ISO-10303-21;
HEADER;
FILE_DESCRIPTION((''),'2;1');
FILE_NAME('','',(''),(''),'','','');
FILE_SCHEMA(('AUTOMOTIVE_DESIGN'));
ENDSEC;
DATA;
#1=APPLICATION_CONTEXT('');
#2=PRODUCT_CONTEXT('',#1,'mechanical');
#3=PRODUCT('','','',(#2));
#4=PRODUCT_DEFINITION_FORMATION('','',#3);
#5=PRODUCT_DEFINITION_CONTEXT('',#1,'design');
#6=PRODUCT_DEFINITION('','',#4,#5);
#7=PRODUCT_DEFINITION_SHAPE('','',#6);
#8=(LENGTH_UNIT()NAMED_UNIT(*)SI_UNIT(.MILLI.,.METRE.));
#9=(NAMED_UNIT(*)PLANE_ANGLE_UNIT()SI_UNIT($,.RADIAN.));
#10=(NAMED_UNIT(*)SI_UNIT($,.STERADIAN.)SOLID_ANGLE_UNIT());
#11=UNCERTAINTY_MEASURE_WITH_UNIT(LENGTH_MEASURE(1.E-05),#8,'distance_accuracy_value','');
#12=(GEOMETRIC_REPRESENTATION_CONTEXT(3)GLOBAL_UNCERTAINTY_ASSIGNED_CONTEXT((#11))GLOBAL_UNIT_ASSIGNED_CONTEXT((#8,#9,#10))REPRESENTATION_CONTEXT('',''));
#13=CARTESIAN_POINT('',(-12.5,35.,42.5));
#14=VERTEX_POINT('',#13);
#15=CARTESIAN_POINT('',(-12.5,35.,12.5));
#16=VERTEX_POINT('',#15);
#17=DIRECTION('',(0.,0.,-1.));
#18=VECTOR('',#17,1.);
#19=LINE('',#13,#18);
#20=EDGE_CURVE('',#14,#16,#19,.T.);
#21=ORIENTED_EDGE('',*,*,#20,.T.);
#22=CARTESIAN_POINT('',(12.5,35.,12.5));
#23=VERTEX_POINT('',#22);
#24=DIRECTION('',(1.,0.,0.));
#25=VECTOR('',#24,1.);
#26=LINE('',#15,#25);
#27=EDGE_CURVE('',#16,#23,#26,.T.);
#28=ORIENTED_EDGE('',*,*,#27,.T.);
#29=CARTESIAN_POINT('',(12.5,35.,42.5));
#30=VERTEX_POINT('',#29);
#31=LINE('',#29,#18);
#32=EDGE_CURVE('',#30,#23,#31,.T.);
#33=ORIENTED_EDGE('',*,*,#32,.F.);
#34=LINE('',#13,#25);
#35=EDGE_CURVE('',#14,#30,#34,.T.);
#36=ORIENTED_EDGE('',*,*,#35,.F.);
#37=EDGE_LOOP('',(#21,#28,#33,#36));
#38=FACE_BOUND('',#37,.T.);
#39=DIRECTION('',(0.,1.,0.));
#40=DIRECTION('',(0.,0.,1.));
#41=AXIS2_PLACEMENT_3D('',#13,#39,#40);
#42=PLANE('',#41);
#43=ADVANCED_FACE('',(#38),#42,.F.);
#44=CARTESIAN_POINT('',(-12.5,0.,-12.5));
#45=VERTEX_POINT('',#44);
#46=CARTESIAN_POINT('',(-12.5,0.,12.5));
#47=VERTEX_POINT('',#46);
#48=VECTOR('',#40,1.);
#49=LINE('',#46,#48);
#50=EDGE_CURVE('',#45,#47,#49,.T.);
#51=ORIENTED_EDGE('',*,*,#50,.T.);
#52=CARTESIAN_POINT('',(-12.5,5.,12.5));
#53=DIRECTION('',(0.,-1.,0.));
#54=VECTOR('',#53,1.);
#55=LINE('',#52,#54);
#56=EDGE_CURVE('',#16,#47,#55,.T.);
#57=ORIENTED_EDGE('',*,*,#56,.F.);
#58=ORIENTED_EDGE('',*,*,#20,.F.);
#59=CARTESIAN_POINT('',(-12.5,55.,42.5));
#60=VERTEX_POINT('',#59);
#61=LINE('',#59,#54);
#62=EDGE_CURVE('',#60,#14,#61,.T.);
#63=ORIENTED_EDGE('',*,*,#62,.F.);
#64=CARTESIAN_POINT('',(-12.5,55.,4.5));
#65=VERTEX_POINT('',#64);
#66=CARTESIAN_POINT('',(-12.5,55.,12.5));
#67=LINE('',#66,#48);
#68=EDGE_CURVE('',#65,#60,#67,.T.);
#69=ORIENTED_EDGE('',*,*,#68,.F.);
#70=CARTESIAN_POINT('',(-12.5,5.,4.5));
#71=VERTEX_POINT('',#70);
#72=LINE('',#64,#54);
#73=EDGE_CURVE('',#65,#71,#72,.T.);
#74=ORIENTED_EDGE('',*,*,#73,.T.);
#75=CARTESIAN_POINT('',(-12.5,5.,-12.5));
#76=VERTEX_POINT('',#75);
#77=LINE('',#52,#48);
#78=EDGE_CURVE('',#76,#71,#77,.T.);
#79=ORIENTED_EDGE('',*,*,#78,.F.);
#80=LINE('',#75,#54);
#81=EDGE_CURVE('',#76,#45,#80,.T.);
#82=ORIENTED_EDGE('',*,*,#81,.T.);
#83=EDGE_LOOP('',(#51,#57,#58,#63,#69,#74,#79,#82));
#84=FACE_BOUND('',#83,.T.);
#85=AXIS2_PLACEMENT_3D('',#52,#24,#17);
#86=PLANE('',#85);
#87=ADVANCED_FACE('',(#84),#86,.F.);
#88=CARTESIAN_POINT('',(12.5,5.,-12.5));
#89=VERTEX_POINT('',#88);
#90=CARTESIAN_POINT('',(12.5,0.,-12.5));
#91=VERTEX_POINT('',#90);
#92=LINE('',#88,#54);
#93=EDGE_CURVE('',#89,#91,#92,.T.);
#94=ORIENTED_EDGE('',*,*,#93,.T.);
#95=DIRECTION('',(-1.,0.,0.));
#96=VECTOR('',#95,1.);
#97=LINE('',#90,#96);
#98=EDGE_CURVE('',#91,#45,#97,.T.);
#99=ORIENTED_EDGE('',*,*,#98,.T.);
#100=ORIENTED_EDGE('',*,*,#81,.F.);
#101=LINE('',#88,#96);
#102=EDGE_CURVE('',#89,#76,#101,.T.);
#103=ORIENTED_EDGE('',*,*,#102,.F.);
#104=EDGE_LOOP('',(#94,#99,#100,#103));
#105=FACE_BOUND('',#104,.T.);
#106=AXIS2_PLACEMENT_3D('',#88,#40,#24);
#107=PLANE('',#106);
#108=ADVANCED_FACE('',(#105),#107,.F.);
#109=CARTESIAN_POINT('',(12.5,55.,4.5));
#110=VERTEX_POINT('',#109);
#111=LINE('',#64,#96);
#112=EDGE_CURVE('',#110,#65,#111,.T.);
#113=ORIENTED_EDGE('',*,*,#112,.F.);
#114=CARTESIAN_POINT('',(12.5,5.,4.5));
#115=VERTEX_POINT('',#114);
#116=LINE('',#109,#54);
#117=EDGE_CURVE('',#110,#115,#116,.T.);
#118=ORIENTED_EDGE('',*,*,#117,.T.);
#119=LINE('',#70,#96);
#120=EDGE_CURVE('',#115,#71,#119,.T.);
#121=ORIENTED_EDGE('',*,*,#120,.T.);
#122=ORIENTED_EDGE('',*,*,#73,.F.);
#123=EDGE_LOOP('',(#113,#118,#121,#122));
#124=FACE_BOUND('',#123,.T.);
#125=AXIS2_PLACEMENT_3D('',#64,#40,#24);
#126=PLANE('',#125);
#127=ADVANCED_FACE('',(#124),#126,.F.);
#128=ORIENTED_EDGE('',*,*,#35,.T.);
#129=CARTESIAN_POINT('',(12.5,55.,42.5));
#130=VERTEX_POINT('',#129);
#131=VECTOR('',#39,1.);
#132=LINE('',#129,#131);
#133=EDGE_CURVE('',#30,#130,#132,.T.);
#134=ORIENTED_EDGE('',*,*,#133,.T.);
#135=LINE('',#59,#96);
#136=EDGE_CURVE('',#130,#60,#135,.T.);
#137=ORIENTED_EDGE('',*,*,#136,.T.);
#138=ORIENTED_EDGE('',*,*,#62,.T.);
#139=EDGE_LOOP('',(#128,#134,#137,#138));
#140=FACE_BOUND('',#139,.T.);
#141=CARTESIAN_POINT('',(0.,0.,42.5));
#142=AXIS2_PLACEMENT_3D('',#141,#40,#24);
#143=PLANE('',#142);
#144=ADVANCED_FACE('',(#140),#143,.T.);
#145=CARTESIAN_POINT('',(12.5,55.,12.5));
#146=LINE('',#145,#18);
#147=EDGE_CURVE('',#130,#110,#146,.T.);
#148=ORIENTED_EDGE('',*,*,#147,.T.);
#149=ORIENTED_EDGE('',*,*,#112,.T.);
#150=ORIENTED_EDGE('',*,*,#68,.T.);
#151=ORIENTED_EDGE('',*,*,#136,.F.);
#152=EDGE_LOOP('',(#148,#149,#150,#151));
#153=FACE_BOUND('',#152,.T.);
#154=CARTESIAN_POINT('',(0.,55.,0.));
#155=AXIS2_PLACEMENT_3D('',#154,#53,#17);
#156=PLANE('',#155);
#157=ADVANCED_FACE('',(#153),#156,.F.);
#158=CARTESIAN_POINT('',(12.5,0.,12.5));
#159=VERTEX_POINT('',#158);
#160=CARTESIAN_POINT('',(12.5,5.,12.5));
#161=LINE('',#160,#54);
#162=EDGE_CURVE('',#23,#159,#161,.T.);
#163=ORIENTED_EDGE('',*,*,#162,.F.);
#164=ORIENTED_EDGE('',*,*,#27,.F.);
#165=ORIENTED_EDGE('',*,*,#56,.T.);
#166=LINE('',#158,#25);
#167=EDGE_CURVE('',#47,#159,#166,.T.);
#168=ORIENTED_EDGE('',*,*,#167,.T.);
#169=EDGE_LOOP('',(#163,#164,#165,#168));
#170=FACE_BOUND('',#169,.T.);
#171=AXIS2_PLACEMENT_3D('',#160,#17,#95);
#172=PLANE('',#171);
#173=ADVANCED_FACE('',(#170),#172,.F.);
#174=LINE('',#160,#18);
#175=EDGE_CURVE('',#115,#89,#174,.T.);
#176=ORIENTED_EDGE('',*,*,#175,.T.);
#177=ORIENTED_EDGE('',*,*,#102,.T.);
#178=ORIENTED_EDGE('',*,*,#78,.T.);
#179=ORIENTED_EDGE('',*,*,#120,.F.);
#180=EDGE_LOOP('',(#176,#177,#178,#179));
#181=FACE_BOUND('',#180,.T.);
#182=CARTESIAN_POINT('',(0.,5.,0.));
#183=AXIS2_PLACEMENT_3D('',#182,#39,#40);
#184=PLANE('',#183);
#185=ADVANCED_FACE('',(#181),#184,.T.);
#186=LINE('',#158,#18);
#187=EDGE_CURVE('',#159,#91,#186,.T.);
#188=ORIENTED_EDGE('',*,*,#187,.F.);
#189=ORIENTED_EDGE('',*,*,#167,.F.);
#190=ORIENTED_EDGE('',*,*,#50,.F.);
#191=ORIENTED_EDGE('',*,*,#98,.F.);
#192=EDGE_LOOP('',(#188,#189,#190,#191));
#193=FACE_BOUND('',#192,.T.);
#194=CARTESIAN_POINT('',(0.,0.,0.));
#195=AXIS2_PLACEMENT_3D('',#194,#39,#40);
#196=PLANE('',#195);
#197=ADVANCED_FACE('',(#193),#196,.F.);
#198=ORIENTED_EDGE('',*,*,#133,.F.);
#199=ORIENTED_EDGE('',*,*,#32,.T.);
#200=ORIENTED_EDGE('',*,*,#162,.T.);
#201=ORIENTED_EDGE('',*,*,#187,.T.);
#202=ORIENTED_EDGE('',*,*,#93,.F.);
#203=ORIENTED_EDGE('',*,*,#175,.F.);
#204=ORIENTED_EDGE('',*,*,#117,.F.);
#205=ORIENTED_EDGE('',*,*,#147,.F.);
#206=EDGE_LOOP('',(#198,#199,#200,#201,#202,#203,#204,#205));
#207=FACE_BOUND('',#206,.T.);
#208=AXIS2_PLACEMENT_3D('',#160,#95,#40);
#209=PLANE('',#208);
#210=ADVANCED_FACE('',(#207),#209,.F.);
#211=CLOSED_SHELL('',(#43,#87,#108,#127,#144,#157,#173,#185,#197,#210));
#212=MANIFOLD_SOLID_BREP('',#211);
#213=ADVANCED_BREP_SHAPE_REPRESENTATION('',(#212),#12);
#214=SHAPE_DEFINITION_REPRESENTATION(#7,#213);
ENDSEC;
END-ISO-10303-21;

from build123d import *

# Parameters (mm, degrees)
SKETCH1_W           = 25
SKETCH1_H           = 25
BOSS_EXTRUDE1_DEPTH = 5
SKETCH2_W           = 25
SKETCH2_H           = 8
BOSS_EXTRUDE2_DEPTH = 50
SKETCH3_W           = 25
SKETCH3_H           = 20
BOSS_EXTRUDE3_DEPTH = 30


with BuildPart() as part:
    # Sketch1 → Boss-Extrude1 (new body)
    with BuildSketch(Plane(origin=(0, 0, 0), x_dir=(1, 0, 0), z_dir=(0, 1, 0))):
        Rectangle(SKETCH1_W, SKETCH1_H)
    extrude(amount=BOSS_EXTRUDE1_DEPTH)

    # Sketch2 → Boss-Extrude2 (add)
    with BuildSketch(Plane(origin=(0, 5, 0), x_dir=(1, 0, 0), z_dir=(0, 1, 0))):
        with Locations((0, -8.5)):
            Rectangle(SKETCH2_W, SKETCH2_H)
    extrude(amount=BOSS_EXTRUDE2_DEPTH)

    # Sketch3 → Boss-Extrude3 (add)
    with BuildSketch(Plane.XY.offset(12.5)):
        with Locations((0, 45)):
            Rectangle(SKETCH3_W, SKETCH3_H)
    extrude(amount=BOSS_EXTRUDE3_DEPTH)


solid = part.part
